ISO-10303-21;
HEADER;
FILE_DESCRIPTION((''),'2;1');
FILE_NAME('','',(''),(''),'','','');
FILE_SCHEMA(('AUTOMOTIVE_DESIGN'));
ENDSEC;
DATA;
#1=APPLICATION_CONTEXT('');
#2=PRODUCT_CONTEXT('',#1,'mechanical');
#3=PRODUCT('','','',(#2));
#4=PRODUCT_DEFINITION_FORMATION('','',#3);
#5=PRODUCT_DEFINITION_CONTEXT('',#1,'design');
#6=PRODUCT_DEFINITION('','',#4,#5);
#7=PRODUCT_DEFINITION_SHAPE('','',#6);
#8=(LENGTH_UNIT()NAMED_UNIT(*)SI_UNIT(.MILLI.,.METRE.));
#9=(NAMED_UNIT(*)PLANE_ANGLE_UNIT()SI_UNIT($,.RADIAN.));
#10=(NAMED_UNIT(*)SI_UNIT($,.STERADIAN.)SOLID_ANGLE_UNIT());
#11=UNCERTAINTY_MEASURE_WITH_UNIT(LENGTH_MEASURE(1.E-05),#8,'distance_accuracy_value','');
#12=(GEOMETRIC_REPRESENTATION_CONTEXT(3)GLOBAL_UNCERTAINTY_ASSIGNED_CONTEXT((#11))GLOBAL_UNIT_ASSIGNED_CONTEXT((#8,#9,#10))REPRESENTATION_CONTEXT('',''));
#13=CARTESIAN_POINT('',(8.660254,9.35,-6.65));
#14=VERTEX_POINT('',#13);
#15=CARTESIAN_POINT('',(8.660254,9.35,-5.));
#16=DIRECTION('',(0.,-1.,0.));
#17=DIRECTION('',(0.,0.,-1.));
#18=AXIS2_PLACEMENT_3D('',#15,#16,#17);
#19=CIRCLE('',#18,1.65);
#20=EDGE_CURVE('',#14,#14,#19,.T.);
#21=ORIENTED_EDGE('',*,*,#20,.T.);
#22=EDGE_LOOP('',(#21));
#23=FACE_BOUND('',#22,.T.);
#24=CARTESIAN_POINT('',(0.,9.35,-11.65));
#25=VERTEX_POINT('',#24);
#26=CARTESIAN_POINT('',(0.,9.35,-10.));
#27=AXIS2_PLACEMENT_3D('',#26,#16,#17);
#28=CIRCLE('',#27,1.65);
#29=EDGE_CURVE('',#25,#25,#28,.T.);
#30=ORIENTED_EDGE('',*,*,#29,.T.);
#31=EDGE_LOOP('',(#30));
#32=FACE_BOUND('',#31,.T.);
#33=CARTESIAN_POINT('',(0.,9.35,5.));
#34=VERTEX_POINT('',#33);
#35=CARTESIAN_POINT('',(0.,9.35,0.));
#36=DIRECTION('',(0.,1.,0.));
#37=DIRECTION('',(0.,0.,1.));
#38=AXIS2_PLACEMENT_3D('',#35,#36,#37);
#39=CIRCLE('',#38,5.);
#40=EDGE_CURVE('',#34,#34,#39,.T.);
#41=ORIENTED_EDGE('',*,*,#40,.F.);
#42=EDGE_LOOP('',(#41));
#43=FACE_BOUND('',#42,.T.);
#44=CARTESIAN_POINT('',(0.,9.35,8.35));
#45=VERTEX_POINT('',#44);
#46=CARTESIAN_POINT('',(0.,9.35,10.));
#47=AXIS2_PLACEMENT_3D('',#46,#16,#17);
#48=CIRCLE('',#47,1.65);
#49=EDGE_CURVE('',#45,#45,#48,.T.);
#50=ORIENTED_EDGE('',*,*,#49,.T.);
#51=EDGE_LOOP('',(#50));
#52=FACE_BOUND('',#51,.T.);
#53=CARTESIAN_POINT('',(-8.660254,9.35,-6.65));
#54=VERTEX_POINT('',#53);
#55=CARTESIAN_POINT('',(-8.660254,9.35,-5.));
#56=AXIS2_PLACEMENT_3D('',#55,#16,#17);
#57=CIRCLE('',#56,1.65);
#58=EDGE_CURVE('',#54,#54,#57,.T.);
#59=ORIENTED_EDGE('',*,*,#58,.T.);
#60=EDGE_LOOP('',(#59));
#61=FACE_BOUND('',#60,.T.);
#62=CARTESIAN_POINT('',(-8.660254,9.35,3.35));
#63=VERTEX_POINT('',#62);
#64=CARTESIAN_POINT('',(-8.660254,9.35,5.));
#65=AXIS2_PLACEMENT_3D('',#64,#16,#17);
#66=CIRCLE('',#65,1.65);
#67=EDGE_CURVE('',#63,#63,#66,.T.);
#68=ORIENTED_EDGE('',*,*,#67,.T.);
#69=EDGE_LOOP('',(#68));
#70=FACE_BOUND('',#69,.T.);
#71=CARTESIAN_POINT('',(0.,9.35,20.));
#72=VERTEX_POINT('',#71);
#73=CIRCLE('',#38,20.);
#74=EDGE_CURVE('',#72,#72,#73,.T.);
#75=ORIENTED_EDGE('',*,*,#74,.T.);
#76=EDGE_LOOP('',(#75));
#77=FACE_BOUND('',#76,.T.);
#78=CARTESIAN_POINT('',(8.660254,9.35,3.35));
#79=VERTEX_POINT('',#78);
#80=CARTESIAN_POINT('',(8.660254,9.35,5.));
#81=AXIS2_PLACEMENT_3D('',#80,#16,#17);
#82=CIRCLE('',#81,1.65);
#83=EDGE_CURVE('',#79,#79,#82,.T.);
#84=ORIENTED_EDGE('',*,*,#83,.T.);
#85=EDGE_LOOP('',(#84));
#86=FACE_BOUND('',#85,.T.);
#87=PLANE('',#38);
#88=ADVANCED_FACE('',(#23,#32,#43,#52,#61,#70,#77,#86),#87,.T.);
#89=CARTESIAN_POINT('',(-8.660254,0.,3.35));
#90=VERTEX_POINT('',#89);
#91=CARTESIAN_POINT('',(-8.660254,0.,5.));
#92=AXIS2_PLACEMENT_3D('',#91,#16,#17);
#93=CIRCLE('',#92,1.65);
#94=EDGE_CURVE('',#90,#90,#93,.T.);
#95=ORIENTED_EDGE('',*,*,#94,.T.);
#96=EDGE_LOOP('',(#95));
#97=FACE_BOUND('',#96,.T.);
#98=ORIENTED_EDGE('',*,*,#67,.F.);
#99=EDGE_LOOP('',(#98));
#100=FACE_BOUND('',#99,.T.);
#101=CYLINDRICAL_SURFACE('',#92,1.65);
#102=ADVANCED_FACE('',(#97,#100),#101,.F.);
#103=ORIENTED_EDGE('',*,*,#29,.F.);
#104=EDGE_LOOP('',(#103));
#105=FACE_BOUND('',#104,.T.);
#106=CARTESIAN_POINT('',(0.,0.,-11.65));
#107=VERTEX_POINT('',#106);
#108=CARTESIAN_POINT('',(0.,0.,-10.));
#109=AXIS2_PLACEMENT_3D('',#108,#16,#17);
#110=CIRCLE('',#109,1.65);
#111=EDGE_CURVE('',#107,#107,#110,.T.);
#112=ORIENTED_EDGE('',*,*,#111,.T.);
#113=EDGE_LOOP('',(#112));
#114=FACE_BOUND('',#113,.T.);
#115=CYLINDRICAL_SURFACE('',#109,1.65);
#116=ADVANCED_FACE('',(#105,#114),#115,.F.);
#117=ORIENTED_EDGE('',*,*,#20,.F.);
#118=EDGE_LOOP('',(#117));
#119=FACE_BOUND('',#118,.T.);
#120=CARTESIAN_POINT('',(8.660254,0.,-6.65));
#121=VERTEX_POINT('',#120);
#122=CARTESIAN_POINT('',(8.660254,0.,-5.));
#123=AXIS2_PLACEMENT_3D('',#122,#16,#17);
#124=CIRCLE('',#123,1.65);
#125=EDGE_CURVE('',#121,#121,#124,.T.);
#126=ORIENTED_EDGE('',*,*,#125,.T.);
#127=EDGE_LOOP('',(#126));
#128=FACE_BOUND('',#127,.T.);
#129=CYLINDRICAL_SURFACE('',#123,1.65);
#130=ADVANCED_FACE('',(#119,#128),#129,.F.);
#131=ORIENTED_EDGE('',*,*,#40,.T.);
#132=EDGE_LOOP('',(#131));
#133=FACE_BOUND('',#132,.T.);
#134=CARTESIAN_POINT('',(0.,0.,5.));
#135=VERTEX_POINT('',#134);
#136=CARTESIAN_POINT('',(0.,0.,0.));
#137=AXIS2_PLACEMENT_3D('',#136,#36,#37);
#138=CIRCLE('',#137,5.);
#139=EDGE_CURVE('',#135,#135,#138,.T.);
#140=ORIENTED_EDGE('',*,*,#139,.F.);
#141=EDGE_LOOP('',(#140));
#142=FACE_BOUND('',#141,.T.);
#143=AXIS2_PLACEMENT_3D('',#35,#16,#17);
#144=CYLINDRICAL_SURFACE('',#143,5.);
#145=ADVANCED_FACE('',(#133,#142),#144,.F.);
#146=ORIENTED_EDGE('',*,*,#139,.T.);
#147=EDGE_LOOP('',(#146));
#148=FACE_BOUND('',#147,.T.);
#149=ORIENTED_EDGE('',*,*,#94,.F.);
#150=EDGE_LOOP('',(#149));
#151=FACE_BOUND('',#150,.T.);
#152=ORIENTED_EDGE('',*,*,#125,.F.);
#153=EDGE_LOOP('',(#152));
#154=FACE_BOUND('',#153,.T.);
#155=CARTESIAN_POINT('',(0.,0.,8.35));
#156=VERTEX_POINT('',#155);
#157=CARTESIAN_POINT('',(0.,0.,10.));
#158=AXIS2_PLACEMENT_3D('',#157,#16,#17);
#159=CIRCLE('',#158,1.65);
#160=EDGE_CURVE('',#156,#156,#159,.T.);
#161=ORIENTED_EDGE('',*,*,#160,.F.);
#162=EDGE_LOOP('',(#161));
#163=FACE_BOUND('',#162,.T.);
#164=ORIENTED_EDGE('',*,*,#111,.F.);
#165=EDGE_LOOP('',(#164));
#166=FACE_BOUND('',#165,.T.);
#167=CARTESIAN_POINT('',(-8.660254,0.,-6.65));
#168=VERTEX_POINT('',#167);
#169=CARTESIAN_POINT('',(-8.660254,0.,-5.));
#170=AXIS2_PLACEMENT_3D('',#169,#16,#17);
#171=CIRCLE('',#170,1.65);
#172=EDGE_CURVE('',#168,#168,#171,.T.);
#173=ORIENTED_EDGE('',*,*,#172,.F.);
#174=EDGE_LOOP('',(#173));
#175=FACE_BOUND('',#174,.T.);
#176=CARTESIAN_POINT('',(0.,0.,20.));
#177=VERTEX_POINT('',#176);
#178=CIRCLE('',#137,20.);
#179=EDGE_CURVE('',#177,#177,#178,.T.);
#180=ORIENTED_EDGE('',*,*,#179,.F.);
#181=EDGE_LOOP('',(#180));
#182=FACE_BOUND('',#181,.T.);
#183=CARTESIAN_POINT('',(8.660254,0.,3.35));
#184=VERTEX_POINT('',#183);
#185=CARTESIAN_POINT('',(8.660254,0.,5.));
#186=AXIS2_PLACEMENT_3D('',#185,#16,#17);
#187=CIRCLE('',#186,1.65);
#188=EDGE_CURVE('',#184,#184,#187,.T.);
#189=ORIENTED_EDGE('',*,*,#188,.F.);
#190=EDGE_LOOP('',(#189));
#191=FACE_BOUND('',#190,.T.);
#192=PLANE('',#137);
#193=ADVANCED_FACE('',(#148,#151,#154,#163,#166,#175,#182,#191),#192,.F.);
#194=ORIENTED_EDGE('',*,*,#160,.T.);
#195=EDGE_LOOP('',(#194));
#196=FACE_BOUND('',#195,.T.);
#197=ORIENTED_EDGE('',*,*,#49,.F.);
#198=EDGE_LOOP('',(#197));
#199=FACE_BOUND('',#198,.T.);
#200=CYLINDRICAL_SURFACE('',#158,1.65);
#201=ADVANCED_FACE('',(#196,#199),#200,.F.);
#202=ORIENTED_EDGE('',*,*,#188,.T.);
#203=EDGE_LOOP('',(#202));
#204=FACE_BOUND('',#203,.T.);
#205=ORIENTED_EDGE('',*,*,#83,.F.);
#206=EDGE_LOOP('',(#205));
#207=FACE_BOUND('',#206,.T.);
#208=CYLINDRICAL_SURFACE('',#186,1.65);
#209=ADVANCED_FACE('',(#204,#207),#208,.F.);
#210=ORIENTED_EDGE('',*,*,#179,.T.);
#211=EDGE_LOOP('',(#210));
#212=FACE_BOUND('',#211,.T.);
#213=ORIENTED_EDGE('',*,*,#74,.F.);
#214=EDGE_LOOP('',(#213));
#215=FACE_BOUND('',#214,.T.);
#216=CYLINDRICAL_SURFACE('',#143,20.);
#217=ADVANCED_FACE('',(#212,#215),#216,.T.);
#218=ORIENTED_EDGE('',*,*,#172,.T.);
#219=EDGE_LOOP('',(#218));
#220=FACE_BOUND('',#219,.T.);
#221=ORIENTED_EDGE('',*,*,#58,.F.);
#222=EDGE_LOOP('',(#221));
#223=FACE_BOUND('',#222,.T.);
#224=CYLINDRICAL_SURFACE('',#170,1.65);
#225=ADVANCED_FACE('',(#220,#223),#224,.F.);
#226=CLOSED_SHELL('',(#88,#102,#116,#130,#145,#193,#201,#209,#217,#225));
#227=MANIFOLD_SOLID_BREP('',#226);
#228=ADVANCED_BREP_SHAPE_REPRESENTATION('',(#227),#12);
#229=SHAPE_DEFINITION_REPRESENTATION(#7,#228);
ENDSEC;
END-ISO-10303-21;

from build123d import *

# Parameters (mm, degrees)
SKETCH1_R             = 20
SKETCH1_R_2           = 1
SKETCH1_R_3           = 5
BOSS_EXTRUDE1_DEPTH   = 9.35
M4X0_7_TAPPED_HOLE1_D = 3.3


with BuildPart() as part:
    # Sketch1 → Boss-Extrude1 (new body)
    with BuildSketch(Plane(origin=(0, 0, 0), x_dir=(1, 0, 0), z_dir=(0, 1, 0))):
        Circle(SKETCH1_R)
        with Locations((0, 10)):
            Circle(SKETCH1_R_2, mode=Mode.SUBTRACT)
        with Locations((8.660254038, 5)):
            Circle(SKETCH1_R_2, mode=Mode.SUBTRACT)
        with Locations((8.660254038, -5)):
            Circle(SKETCH1_R_2, mode=Mode.SUBTRACT)
        with Locations((0, -10)):
            Circle(SKETCH1_R_2, mode=Mode.SUBTRACT)
        with Locations((-8.660254038, -5)):
            Circle(SKETCH1_R_2, mode=Mode.SUBTRACT)
        with Locations((-8.660254038, 5)):
            Circle(SKETCH1_R_2, mode=Mode.SUBTRACT)
        Circle(SKETCH1_R_3, mode=Mode.SUBTRACT)
    extrude(amount=BOSS_EXTRUDE1_DEPTH)

    # M4x0.7 Tapped Hole1 (through all)
    with Locations(Plane(origin=(-8.660254038, 0, 5), x_dir=(0, 0, -1), z_dir=(0, -1, 0))):
        with Locations((0, 0), (-5, 8.660254038), (0, 17.320508076), (10, 17.320508076), (15, 8.660254038), (10, 0)):
            Hole(M4X0_7_TAPPED_HOLE1_D / 2)


solid = part.part
